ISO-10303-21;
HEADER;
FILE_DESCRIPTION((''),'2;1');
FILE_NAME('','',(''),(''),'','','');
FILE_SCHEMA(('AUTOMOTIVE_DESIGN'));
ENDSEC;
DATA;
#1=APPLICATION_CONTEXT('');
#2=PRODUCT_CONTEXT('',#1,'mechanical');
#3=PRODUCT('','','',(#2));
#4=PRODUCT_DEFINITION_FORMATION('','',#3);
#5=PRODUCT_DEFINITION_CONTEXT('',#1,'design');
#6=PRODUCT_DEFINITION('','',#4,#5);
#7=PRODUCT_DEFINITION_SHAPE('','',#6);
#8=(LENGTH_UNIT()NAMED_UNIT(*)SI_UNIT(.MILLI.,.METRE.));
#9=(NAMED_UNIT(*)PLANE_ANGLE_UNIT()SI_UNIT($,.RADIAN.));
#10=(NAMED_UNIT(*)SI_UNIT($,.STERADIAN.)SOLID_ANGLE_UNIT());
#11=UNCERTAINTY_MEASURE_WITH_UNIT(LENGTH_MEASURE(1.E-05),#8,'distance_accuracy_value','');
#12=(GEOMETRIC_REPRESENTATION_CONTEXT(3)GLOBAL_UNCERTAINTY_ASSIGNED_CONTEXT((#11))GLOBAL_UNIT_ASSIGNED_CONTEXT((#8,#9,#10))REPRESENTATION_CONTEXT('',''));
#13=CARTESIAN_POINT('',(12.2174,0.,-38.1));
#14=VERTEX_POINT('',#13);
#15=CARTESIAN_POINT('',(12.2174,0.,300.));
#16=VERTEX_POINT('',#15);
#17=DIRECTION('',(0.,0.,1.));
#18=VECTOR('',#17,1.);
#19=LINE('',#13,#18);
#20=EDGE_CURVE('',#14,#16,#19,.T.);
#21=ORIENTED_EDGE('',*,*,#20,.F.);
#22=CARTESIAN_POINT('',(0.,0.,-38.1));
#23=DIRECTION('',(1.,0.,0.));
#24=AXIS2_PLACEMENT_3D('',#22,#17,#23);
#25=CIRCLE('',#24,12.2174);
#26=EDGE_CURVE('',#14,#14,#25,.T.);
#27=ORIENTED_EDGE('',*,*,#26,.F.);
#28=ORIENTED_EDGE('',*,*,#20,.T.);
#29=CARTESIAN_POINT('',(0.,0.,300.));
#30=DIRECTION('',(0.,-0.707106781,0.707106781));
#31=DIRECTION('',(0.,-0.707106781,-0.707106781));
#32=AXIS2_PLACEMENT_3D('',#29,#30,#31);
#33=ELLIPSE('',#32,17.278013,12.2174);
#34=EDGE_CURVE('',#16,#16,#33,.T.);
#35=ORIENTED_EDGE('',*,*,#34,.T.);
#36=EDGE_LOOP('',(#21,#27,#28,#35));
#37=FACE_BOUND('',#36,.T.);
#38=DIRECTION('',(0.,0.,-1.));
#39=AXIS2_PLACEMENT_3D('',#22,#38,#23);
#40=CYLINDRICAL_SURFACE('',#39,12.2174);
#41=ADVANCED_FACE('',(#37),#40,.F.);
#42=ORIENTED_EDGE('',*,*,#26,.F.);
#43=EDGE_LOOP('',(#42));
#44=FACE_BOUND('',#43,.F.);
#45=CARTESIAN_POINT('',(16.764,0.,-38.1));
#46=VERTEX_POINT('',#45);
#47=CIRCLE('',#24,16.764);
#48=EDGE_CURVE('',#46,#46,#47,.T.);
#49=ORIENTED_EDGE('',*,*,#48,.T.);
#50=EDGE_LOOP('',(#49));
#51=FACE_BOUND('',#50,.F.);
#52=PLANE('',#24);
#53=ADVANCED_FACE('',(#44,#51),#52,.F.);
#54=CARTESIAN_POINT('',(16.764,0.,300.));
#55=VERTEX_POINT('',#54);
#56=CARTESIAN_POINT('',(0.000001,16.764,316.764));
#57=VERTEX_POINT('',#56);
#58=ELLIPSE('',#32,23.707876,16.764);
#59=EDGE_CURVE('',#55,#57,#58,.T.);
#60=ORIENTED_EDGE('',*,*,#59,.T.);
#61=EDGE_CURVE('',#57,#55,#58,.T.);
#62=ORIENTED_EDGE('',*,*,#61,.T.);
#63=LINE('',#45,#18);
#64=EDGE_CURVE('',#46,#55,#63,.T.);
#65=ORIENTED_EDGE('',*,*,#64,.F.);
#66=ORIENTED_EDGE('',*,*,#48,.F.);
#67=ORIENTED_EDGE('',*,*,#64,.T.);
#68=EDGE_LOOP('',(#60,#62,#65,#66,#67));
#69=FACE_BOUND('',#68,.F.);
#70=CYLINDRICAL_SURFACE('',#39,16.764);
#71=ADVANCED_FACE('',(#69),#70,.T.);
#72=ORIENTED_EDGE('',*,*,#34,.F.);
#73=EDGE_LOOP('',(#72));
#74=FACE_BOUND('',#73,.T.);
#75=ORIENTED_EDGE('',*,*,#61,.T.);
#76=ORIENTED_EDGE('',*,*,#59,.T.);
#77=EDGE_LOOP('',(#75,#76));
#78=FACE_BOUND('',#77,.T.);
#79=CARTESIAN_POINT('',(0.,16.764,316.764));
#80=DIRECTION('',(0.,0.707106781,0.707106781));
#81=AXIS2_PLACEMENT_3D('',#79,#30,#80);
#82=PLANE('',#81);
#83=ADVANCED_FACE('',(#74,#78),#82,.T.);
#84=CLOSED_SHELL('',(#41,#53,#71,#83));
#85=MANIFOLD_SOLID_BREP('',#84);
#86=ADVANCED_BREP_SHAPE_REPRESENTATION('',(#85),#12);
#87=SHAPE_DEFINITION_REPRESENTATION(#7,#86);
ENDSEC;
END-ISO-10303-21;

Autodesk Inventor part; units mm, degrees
ref_plane "Start Plane" through (0, 0, -38.1) normal (0, 0, 1) x (1, 0, 0)
ref_plane "End Plane" through (0, 0, 316.764) normal (0, 0, 1) x (1, 0, 0)
sketch "Sketch" plane through (0, 0, 0) normal (0, 0, 1) x (1, 0, 0)
  circle A0 centre (0, 0) radius 12.2174
  circle A1 centre (0, 0) radius 16.764
  dimension "d0" = 33.528
  dimension "d1" = 4.5466
extrude "Body" add sketch "Sketch" along normal up to surface (354.864 mm away) from surface at -38.1
sketch "Sketch3" plane through (0, 0, 0) normal (0, 0, 1) x (1, 0, 0)
  line L0 (0, 0) -> (10, 0)
ref_plane "Work Plane3" through (0, 0, 0) normal (0, -1, 0) x (1, 0, 0)
ref_plane "Work Plane4" through (0, 16.764, 316.764) normal (0, -0.7071, 0.7071) x (1, 0, 0)
split "Split1" plane through (0, 16.764, 316.764) removes the side toward (0, -0.7071, 0.7071)
sketch "Sketch4" plane through (0, 0, 0) normal (0, -1, 0) x (1, 0, 0)
  line L0 (-2, -38.1) -> (12, -38.1) projected
  line L1 (-2, 316.764) -> (12, 316.764) projected
  dimension "d7" = 354.864
equation "\"d0\" = G_H"
equation "\"d1\" = G_T"
equation "\"d2\" = G_L"
equation "\"G_H\" = 33.528"
equation "\"G_T\" = 4.5466"
equation "\"G_L\" = d7"
equation "\"G_OFFSET_START\" = 38.1"
equation "\"G_OFFSET_END\" = 16.764"
equation "\"d4\" = -G_OFFSET_START"
equation "\"d5\" = G_OFFSET_END + B_L"
equation "\"B_L\" = 300"
properties part number "ANSI - 1 x 0.179 - 13.971" material "Steel, Mild"
